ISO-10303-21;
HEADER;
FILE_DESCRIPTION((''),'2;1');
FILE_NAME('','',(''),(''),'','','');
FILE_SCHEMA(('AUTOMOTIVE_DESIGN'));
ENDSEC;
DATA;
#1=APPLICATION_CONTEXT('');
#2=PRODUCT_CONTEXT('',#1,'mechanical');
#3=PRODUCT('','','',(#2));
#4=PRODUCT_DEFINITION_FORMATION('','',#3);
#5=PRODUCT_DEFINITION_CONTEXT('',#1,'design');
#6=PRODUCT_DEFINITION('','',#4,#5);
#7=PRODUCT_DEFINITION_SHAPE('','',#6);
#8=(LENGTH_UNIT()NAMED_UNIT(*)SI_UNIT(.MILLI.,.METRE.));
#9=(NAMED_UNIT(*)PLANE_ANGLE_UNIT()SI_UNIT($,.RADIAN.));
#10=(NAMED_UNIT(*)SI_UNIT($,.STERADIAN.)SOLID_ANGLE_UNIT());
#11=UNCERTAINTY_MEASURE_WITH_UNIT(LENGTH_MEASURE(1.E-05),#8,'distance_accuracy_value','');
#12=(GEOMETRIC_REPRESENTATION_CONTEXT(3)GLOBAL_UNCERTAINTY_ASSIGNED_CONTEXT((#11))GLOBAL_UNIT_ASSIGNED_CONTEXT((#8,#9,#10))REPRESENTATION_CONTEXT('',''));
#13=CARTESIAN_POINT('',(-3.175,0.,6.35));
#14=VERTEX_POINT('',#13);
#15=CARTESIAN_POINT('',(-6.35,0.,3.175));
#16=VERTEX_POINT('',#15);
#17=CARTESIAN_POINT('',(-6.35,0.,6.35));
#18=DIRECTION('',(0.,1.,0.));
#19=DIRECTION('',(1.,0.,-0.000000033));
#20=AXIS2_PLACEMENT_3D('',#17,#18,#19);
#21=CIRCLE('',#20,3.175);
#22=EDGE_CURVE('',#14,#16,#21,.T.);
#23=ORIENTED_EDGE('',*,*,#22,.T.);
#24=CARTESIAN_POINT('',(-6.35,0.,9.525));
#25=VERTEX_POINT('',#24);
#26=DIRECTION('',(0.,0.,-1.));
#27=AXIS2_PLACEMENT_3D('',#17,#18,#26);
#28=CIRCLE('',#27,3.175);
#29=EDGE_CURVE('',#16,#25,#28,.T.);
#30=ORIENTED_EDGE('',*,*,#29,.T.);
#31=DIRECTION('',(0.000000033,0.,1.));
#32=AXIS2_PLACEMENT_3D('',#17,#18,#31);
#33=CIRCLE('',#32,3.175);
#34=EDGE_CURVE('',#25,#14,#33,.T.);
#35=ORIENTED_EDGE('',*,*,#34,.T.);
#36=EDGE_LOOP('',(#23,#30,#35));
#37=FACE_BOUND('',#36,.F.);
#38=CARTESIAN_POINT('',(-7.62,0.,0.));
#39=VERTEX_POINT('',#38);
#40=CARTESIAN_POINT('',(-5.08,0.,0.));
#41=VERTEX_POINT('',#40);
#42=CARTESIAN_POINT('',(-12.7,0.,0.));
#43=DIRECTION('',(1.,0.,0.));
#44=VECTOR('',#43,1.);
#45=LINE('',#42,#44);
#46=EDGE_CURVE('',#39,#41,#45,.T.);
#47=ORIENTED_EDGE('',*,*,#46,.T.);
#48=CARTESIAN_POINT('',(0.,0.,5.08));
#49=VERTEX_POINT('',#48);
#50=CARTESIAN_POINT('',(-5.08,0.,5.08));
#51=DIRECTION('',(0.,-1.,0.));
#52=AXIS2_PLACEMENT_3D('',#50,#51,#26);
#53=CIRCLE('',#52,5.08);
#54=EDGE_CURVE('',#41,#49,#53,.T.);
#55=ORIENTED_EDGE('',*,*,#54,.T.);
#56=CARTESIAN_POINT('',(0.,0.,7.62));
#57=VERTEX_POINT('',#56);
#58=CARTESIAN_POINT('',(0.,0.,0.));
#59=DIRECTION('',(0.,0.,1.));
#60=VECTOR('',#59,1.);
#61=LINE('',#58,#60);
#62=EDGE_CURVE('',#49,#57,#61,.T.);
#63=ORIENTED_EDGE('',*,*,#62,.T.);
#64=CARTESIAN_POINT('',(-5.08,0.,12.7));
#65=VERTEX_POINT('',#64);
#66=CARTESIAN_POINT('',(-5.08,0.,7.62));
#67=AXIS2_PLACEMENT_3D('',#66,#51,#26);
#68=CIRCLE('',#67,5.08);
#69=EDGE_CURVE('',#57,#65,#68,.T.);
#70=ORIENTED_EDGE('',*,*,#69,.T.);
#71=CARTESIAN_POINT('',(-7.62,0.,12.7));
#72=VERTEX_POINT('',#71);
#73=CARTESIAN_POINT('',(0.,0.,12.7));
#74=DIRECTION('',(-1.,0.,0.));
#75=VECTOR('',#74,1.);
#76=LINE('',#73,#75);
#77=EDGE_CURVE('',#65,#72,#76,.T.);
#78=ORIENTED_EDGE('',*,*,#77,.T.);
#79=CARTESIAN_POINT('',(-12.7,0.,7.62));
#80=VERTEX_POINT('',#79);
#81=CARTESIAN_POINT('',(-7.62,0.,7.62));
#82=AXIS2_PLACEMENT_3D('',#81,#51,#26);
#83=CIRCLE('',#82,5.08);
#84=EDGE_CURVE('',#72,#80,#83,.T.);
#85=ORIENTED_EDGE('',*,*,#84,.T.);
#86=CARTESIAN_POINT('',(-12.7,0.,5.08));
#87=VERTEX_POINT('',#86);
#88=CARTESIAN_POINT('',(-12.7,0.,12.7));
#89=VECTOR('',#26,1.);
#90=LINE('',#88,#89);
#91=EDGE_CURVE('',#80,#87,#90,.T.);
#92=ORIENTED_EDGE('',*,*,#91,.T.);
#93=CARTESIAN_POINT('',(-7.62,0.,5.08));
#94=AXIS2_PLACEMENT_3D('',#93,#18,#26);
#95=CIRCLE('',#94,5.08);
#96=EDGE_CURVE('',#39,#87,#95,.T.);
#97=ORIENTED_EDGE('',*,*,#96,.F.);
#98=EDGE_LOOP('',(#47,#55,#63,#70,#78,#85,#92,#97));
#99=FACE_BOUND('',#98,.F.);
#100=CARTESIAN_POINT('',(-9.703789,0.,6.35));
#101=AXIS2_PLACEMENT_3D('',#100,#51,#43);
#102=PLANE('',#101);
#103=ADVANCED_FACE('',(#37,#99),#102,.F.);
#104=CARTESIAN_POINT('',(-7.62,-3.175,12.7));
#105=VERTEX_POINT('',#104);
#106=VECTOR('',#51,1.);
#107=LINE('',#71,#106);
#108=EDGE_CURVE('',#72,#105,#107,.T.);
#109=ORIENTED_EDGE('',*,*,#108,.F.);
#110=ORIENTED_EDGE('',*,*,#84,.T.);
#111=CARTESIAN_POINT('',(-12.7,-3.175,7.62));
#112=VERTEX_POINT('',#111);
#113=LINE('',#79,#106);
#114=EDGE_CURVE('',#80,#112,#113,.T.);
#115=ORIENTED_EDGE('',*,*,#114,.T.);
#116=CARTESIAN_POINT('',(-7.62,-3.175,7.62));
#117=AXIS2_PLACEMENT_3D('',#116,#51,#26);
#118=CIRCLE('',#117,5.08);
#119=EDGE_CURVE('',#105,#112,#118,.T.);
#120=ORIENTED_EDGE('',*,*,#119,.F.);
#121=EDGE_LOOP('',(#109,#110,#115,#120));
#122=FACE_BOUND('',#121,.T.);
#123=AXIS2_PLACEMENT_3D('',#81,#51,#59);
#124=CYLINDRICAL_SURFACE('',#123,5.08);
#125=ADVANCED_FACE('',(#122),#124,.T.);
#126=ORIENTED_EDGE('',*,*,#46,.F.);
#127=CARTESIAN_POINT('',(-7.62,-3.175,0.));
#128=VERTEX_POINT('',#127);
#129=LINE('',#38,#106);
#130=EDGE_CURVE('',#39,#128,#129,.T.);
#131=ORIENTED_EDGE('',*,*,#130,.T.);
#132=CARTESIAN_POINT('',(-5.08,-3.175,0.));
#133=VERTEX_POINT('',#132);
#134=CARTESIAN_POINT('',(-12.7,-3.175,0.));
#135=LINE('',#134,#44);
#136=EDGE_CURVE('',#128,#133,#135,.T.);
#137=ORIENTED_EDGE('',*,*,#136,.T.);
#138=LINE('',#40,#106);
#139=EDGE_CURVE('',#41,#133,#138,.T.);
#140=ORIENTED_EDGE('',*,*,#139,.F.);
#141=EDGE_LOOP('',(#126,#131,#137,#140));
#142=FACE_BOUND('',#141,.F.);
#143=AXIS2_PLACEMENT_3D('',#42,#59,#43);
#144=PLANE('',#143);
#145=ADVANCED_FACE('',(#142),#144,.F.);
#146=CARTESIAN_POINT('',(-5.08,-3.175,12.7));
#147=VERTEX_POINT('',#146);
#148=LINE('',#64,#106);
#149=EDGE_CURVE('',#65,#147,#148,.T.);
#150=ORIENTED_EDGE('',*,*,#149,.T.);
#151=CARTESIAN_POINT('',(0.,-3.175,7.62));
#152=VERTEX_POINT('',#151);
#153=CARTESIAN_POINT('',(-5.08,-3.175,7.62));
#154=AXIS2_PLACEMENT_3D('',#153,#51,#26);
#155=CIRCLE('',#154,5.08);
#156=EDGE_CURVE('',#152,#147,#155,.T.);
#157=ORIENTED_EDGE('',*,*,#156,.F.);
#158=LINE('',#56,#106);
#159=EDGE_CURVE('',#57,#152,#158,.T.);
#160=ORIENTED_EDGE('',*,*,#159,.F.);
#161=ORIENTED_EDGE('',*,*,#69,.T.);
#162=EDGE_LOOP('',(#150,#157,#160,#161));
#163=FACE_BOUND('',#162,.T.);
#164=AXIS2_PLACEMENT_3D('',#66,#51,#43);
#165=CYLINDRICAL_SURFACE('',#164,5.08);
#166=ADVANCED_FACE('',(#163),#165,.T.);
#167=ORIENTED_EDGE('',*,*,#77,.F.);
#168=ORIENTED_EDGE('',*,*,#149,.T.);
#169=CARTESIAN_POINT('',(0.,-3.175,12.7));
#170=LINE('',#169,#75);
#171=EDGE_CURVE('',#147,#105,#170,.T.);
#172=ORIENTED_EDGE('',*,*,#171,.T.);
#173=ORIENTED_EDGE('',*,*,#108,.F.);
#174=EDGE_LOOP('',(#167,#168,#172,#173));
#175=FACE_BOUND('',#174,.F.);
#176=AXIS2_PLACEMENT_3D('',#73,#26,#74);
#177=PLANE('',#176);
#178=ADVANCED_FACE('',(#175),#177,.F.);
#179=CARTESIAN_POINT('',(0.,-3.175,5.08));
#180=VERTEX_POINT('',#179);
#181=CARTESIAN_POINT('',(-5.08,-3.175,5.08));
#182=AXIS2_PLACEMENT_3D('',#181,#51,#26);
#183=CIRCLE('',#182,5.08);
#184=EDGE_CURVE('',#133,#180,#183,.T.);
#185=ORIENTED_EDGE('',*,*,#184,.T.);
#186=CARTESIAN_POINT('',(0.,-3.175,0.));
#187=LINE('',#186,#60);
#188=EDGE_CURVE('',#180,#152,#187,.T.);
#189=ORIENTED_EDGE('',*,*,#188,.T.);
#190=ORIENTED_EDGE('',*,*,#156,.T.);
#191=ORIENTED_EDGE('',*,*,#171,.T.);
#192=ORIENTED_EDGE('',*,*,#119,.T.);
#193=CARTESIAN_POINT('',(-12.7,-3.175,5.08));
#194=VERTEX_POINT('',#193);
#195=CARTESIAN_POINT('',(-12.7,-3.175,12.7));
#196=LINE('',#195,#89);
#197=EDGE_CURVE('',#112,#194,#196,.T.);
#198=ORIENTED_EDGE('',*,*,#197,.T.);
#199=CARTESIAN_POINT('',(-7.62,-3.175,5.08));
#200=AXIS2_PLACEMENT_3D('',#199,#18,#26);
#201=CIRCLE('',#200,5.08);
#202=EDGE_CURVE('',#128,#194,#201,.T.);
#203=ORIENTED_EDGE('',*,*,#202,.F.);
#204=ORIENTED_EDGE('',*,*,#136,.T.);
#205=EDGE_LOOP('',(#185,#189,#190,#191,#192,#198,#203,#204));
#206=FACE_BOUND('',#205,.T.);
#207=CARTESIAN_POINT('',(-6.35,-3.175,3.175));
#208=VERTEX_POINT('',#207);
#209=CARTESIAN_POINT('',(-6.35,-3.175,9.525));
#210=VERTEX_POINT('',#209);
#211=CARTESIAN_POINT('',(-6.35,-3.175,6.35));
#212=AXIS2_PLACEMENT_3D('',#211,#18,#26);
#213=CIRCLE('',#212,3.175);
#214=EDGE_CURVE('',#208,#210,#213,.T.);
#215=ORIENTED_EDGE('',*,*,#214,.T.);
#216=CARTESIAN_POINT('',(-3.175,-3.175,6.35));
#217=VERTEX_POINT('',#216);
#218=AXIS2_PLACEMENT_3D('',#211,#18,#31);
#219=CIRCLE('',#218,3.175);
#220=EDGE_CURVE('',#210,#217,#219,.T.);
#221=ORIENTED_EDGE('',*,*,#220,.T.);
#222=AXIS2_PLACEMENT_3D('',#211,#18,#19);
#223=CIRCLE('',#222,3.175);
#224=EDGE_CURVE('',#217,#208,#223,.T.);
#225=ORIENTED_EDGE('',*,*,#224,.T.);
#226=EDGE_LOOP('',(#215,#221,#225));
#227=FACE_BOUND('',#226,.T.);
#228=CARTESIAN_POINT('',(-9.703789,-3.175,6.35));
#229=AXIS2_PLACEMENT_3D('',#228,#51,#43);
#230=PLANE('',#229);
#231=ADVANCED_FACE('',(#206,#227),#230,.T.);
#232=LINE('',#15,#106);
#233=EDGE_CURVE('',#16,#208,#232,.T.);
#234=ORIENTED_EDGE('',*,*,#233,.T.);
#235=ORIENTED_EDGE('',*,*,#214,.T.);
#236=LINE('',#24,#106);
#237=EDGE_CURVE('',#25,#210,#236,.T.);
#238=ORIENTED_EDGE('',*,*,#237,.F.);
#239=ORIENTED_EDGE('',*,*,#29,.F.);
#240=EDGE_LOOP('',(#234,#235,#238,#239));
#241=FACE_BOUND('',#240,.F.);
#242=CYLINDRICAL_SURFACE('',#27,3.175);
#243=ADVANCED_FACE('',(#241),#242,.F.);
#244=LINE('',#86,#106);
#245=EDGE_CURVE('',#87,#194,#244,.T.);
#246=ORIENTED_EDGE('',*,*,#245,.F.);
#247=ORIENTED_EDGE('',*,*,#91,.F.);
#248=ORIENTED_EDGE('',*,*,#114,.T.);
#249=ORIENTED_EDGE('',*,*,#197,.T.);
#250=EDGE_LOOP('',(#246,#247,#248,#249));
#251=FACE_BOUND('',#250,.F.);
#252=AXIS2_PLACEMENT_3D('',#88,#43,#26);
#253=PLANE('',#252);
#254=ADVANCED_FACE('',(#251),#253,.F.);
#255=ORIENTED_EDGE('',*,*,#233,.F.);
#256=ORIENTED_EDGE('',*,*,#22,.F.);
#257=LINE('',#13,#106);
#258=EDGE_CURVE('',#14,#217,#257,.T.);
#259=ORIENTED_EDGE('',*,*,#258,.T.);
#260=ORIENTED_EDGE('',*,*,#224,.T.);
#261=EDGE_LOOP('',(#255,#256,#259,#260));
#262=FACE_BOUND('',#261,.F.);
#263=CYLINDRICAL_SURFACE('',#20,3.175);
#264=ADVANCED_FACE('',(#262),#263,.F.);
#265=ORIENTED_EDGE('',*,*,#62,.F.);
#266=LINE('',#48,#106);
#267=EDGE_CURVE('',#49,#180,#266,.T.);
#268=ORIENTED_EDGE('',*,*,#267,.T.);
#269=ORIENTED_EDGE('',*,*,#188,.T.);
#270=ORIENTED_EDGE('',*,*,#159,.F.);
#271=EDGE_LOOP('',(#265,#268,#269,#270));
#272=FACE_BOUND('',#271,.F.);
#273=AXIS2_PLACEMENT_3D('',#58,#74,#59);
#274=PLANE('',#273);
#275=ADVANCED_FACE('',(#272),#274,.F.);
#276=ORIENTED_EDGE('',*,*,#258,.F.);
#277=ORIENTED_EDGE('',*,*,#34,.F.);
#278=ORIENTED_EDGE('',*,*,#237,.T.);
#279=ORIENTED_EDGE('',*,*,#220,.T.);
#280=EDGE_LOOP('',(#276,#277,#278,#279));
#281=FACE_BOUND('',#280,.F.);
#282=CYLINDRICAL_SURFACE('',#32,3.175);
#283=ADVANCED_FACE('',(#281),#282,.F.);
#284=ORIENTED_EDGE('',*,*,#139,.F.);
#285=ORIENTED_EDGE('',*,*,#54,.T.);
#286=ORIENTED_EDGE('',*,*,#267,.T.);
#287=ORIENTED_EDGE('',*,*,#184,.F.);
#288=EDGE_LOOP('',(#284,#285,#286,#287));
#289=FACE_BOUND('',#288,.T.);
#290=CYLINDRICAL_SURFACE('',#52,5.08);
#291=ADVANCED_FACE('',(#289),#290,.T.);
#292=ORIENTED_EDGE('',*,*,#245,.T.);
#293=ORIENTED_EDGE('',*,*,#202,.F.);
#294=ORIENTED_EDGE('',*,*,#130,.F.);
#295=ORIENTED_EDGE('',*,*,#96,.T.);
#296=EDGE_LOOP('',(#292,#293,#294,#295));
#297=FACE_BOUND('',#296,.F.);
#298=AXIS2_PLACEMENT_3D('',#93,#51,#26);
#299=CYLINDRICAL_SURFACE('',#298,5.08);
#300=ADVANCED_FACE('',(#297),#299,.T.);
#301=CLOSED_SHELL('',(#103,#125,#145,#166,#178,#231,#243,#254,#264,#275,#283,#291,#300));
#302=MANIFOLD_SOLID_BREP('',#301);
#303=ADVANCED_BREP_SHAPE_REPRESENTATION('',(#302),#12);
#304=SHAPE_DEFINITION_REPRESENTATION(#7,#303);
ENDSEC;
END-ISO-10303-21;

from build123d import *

# Parameters (mm, degrees)
F1_DEPTH = 3.175
F2_R     = 5.08
F3_R     = 5.08
F4_R     = 5.08
F5_R     = 5.08


with BuildPart() as f1:
    # F0 (on Front) → F1 (new body)
    with BuildSketch(Plane.XZ):
        with BuildLine():
            Line((-12.7, 0), (-6.35, 0))
            Line((-6.35, 0), (-6.35, 3.175))
            ThreePointArc((-6.35, 3.175), (-9.525, 6.35), (-6.35, 9.525))
            Line((-6.35, 9.525), (-6.35, 12.7))
            Line((-6.35, 12.7), (-12.7, 12.7))
            Line((-12.7, 12.7), (-12.7, 0))
        make_face()
        with BuildLine():
            Line((-6.35, 0), (0, 0))
            Line((0, 0), (0, 12.7))
            Line((0, 12.7), (-6.35, 12.7))
            Line((-6.35, 12.7), (-6.35, 9.525))
            ThreePointArc((-6.35, 9.525), (-4.104936, 8.595064), (-3.175, 6.35))
            ThreePointArc((-3.175, 6.35), (-4.104936, 4.104936), (-6.35, 3.175))
            Line((-6.35, 3.175), (-6.35, 0))
        make_face()
    extrude(amount=F1_DEPTH)

    # F2
    f2_edges = [f1.edges().sort_by_distance(p)[0] for p in [
        (-12.7, -1.5875, 0),
    ]]
    fillet(f2_edges, radius=F2_R)

    # F3
    f3_edges = [f1.edges().sort_by_distance(p)[0] for p in [
        (0, -1.5875, 0),
    ]]
    fillet(f3_edges, radius=F3_R)

    # F4
    f4_edges = [f1.edges().sort_by_distance(p)[0] for p in [
        (0, -1.5875, 12.7),
    ]]
    fillet(f4_edges, radius=F4_R)

    # F5
    f5_edges = [f1.edges().sort_by_distance(p)[0] for p in [
        (-12.7, -1.5875, 12.7),
    ]]
    fillet(f5_edges, radius=F5_R)


solid = f1.part
